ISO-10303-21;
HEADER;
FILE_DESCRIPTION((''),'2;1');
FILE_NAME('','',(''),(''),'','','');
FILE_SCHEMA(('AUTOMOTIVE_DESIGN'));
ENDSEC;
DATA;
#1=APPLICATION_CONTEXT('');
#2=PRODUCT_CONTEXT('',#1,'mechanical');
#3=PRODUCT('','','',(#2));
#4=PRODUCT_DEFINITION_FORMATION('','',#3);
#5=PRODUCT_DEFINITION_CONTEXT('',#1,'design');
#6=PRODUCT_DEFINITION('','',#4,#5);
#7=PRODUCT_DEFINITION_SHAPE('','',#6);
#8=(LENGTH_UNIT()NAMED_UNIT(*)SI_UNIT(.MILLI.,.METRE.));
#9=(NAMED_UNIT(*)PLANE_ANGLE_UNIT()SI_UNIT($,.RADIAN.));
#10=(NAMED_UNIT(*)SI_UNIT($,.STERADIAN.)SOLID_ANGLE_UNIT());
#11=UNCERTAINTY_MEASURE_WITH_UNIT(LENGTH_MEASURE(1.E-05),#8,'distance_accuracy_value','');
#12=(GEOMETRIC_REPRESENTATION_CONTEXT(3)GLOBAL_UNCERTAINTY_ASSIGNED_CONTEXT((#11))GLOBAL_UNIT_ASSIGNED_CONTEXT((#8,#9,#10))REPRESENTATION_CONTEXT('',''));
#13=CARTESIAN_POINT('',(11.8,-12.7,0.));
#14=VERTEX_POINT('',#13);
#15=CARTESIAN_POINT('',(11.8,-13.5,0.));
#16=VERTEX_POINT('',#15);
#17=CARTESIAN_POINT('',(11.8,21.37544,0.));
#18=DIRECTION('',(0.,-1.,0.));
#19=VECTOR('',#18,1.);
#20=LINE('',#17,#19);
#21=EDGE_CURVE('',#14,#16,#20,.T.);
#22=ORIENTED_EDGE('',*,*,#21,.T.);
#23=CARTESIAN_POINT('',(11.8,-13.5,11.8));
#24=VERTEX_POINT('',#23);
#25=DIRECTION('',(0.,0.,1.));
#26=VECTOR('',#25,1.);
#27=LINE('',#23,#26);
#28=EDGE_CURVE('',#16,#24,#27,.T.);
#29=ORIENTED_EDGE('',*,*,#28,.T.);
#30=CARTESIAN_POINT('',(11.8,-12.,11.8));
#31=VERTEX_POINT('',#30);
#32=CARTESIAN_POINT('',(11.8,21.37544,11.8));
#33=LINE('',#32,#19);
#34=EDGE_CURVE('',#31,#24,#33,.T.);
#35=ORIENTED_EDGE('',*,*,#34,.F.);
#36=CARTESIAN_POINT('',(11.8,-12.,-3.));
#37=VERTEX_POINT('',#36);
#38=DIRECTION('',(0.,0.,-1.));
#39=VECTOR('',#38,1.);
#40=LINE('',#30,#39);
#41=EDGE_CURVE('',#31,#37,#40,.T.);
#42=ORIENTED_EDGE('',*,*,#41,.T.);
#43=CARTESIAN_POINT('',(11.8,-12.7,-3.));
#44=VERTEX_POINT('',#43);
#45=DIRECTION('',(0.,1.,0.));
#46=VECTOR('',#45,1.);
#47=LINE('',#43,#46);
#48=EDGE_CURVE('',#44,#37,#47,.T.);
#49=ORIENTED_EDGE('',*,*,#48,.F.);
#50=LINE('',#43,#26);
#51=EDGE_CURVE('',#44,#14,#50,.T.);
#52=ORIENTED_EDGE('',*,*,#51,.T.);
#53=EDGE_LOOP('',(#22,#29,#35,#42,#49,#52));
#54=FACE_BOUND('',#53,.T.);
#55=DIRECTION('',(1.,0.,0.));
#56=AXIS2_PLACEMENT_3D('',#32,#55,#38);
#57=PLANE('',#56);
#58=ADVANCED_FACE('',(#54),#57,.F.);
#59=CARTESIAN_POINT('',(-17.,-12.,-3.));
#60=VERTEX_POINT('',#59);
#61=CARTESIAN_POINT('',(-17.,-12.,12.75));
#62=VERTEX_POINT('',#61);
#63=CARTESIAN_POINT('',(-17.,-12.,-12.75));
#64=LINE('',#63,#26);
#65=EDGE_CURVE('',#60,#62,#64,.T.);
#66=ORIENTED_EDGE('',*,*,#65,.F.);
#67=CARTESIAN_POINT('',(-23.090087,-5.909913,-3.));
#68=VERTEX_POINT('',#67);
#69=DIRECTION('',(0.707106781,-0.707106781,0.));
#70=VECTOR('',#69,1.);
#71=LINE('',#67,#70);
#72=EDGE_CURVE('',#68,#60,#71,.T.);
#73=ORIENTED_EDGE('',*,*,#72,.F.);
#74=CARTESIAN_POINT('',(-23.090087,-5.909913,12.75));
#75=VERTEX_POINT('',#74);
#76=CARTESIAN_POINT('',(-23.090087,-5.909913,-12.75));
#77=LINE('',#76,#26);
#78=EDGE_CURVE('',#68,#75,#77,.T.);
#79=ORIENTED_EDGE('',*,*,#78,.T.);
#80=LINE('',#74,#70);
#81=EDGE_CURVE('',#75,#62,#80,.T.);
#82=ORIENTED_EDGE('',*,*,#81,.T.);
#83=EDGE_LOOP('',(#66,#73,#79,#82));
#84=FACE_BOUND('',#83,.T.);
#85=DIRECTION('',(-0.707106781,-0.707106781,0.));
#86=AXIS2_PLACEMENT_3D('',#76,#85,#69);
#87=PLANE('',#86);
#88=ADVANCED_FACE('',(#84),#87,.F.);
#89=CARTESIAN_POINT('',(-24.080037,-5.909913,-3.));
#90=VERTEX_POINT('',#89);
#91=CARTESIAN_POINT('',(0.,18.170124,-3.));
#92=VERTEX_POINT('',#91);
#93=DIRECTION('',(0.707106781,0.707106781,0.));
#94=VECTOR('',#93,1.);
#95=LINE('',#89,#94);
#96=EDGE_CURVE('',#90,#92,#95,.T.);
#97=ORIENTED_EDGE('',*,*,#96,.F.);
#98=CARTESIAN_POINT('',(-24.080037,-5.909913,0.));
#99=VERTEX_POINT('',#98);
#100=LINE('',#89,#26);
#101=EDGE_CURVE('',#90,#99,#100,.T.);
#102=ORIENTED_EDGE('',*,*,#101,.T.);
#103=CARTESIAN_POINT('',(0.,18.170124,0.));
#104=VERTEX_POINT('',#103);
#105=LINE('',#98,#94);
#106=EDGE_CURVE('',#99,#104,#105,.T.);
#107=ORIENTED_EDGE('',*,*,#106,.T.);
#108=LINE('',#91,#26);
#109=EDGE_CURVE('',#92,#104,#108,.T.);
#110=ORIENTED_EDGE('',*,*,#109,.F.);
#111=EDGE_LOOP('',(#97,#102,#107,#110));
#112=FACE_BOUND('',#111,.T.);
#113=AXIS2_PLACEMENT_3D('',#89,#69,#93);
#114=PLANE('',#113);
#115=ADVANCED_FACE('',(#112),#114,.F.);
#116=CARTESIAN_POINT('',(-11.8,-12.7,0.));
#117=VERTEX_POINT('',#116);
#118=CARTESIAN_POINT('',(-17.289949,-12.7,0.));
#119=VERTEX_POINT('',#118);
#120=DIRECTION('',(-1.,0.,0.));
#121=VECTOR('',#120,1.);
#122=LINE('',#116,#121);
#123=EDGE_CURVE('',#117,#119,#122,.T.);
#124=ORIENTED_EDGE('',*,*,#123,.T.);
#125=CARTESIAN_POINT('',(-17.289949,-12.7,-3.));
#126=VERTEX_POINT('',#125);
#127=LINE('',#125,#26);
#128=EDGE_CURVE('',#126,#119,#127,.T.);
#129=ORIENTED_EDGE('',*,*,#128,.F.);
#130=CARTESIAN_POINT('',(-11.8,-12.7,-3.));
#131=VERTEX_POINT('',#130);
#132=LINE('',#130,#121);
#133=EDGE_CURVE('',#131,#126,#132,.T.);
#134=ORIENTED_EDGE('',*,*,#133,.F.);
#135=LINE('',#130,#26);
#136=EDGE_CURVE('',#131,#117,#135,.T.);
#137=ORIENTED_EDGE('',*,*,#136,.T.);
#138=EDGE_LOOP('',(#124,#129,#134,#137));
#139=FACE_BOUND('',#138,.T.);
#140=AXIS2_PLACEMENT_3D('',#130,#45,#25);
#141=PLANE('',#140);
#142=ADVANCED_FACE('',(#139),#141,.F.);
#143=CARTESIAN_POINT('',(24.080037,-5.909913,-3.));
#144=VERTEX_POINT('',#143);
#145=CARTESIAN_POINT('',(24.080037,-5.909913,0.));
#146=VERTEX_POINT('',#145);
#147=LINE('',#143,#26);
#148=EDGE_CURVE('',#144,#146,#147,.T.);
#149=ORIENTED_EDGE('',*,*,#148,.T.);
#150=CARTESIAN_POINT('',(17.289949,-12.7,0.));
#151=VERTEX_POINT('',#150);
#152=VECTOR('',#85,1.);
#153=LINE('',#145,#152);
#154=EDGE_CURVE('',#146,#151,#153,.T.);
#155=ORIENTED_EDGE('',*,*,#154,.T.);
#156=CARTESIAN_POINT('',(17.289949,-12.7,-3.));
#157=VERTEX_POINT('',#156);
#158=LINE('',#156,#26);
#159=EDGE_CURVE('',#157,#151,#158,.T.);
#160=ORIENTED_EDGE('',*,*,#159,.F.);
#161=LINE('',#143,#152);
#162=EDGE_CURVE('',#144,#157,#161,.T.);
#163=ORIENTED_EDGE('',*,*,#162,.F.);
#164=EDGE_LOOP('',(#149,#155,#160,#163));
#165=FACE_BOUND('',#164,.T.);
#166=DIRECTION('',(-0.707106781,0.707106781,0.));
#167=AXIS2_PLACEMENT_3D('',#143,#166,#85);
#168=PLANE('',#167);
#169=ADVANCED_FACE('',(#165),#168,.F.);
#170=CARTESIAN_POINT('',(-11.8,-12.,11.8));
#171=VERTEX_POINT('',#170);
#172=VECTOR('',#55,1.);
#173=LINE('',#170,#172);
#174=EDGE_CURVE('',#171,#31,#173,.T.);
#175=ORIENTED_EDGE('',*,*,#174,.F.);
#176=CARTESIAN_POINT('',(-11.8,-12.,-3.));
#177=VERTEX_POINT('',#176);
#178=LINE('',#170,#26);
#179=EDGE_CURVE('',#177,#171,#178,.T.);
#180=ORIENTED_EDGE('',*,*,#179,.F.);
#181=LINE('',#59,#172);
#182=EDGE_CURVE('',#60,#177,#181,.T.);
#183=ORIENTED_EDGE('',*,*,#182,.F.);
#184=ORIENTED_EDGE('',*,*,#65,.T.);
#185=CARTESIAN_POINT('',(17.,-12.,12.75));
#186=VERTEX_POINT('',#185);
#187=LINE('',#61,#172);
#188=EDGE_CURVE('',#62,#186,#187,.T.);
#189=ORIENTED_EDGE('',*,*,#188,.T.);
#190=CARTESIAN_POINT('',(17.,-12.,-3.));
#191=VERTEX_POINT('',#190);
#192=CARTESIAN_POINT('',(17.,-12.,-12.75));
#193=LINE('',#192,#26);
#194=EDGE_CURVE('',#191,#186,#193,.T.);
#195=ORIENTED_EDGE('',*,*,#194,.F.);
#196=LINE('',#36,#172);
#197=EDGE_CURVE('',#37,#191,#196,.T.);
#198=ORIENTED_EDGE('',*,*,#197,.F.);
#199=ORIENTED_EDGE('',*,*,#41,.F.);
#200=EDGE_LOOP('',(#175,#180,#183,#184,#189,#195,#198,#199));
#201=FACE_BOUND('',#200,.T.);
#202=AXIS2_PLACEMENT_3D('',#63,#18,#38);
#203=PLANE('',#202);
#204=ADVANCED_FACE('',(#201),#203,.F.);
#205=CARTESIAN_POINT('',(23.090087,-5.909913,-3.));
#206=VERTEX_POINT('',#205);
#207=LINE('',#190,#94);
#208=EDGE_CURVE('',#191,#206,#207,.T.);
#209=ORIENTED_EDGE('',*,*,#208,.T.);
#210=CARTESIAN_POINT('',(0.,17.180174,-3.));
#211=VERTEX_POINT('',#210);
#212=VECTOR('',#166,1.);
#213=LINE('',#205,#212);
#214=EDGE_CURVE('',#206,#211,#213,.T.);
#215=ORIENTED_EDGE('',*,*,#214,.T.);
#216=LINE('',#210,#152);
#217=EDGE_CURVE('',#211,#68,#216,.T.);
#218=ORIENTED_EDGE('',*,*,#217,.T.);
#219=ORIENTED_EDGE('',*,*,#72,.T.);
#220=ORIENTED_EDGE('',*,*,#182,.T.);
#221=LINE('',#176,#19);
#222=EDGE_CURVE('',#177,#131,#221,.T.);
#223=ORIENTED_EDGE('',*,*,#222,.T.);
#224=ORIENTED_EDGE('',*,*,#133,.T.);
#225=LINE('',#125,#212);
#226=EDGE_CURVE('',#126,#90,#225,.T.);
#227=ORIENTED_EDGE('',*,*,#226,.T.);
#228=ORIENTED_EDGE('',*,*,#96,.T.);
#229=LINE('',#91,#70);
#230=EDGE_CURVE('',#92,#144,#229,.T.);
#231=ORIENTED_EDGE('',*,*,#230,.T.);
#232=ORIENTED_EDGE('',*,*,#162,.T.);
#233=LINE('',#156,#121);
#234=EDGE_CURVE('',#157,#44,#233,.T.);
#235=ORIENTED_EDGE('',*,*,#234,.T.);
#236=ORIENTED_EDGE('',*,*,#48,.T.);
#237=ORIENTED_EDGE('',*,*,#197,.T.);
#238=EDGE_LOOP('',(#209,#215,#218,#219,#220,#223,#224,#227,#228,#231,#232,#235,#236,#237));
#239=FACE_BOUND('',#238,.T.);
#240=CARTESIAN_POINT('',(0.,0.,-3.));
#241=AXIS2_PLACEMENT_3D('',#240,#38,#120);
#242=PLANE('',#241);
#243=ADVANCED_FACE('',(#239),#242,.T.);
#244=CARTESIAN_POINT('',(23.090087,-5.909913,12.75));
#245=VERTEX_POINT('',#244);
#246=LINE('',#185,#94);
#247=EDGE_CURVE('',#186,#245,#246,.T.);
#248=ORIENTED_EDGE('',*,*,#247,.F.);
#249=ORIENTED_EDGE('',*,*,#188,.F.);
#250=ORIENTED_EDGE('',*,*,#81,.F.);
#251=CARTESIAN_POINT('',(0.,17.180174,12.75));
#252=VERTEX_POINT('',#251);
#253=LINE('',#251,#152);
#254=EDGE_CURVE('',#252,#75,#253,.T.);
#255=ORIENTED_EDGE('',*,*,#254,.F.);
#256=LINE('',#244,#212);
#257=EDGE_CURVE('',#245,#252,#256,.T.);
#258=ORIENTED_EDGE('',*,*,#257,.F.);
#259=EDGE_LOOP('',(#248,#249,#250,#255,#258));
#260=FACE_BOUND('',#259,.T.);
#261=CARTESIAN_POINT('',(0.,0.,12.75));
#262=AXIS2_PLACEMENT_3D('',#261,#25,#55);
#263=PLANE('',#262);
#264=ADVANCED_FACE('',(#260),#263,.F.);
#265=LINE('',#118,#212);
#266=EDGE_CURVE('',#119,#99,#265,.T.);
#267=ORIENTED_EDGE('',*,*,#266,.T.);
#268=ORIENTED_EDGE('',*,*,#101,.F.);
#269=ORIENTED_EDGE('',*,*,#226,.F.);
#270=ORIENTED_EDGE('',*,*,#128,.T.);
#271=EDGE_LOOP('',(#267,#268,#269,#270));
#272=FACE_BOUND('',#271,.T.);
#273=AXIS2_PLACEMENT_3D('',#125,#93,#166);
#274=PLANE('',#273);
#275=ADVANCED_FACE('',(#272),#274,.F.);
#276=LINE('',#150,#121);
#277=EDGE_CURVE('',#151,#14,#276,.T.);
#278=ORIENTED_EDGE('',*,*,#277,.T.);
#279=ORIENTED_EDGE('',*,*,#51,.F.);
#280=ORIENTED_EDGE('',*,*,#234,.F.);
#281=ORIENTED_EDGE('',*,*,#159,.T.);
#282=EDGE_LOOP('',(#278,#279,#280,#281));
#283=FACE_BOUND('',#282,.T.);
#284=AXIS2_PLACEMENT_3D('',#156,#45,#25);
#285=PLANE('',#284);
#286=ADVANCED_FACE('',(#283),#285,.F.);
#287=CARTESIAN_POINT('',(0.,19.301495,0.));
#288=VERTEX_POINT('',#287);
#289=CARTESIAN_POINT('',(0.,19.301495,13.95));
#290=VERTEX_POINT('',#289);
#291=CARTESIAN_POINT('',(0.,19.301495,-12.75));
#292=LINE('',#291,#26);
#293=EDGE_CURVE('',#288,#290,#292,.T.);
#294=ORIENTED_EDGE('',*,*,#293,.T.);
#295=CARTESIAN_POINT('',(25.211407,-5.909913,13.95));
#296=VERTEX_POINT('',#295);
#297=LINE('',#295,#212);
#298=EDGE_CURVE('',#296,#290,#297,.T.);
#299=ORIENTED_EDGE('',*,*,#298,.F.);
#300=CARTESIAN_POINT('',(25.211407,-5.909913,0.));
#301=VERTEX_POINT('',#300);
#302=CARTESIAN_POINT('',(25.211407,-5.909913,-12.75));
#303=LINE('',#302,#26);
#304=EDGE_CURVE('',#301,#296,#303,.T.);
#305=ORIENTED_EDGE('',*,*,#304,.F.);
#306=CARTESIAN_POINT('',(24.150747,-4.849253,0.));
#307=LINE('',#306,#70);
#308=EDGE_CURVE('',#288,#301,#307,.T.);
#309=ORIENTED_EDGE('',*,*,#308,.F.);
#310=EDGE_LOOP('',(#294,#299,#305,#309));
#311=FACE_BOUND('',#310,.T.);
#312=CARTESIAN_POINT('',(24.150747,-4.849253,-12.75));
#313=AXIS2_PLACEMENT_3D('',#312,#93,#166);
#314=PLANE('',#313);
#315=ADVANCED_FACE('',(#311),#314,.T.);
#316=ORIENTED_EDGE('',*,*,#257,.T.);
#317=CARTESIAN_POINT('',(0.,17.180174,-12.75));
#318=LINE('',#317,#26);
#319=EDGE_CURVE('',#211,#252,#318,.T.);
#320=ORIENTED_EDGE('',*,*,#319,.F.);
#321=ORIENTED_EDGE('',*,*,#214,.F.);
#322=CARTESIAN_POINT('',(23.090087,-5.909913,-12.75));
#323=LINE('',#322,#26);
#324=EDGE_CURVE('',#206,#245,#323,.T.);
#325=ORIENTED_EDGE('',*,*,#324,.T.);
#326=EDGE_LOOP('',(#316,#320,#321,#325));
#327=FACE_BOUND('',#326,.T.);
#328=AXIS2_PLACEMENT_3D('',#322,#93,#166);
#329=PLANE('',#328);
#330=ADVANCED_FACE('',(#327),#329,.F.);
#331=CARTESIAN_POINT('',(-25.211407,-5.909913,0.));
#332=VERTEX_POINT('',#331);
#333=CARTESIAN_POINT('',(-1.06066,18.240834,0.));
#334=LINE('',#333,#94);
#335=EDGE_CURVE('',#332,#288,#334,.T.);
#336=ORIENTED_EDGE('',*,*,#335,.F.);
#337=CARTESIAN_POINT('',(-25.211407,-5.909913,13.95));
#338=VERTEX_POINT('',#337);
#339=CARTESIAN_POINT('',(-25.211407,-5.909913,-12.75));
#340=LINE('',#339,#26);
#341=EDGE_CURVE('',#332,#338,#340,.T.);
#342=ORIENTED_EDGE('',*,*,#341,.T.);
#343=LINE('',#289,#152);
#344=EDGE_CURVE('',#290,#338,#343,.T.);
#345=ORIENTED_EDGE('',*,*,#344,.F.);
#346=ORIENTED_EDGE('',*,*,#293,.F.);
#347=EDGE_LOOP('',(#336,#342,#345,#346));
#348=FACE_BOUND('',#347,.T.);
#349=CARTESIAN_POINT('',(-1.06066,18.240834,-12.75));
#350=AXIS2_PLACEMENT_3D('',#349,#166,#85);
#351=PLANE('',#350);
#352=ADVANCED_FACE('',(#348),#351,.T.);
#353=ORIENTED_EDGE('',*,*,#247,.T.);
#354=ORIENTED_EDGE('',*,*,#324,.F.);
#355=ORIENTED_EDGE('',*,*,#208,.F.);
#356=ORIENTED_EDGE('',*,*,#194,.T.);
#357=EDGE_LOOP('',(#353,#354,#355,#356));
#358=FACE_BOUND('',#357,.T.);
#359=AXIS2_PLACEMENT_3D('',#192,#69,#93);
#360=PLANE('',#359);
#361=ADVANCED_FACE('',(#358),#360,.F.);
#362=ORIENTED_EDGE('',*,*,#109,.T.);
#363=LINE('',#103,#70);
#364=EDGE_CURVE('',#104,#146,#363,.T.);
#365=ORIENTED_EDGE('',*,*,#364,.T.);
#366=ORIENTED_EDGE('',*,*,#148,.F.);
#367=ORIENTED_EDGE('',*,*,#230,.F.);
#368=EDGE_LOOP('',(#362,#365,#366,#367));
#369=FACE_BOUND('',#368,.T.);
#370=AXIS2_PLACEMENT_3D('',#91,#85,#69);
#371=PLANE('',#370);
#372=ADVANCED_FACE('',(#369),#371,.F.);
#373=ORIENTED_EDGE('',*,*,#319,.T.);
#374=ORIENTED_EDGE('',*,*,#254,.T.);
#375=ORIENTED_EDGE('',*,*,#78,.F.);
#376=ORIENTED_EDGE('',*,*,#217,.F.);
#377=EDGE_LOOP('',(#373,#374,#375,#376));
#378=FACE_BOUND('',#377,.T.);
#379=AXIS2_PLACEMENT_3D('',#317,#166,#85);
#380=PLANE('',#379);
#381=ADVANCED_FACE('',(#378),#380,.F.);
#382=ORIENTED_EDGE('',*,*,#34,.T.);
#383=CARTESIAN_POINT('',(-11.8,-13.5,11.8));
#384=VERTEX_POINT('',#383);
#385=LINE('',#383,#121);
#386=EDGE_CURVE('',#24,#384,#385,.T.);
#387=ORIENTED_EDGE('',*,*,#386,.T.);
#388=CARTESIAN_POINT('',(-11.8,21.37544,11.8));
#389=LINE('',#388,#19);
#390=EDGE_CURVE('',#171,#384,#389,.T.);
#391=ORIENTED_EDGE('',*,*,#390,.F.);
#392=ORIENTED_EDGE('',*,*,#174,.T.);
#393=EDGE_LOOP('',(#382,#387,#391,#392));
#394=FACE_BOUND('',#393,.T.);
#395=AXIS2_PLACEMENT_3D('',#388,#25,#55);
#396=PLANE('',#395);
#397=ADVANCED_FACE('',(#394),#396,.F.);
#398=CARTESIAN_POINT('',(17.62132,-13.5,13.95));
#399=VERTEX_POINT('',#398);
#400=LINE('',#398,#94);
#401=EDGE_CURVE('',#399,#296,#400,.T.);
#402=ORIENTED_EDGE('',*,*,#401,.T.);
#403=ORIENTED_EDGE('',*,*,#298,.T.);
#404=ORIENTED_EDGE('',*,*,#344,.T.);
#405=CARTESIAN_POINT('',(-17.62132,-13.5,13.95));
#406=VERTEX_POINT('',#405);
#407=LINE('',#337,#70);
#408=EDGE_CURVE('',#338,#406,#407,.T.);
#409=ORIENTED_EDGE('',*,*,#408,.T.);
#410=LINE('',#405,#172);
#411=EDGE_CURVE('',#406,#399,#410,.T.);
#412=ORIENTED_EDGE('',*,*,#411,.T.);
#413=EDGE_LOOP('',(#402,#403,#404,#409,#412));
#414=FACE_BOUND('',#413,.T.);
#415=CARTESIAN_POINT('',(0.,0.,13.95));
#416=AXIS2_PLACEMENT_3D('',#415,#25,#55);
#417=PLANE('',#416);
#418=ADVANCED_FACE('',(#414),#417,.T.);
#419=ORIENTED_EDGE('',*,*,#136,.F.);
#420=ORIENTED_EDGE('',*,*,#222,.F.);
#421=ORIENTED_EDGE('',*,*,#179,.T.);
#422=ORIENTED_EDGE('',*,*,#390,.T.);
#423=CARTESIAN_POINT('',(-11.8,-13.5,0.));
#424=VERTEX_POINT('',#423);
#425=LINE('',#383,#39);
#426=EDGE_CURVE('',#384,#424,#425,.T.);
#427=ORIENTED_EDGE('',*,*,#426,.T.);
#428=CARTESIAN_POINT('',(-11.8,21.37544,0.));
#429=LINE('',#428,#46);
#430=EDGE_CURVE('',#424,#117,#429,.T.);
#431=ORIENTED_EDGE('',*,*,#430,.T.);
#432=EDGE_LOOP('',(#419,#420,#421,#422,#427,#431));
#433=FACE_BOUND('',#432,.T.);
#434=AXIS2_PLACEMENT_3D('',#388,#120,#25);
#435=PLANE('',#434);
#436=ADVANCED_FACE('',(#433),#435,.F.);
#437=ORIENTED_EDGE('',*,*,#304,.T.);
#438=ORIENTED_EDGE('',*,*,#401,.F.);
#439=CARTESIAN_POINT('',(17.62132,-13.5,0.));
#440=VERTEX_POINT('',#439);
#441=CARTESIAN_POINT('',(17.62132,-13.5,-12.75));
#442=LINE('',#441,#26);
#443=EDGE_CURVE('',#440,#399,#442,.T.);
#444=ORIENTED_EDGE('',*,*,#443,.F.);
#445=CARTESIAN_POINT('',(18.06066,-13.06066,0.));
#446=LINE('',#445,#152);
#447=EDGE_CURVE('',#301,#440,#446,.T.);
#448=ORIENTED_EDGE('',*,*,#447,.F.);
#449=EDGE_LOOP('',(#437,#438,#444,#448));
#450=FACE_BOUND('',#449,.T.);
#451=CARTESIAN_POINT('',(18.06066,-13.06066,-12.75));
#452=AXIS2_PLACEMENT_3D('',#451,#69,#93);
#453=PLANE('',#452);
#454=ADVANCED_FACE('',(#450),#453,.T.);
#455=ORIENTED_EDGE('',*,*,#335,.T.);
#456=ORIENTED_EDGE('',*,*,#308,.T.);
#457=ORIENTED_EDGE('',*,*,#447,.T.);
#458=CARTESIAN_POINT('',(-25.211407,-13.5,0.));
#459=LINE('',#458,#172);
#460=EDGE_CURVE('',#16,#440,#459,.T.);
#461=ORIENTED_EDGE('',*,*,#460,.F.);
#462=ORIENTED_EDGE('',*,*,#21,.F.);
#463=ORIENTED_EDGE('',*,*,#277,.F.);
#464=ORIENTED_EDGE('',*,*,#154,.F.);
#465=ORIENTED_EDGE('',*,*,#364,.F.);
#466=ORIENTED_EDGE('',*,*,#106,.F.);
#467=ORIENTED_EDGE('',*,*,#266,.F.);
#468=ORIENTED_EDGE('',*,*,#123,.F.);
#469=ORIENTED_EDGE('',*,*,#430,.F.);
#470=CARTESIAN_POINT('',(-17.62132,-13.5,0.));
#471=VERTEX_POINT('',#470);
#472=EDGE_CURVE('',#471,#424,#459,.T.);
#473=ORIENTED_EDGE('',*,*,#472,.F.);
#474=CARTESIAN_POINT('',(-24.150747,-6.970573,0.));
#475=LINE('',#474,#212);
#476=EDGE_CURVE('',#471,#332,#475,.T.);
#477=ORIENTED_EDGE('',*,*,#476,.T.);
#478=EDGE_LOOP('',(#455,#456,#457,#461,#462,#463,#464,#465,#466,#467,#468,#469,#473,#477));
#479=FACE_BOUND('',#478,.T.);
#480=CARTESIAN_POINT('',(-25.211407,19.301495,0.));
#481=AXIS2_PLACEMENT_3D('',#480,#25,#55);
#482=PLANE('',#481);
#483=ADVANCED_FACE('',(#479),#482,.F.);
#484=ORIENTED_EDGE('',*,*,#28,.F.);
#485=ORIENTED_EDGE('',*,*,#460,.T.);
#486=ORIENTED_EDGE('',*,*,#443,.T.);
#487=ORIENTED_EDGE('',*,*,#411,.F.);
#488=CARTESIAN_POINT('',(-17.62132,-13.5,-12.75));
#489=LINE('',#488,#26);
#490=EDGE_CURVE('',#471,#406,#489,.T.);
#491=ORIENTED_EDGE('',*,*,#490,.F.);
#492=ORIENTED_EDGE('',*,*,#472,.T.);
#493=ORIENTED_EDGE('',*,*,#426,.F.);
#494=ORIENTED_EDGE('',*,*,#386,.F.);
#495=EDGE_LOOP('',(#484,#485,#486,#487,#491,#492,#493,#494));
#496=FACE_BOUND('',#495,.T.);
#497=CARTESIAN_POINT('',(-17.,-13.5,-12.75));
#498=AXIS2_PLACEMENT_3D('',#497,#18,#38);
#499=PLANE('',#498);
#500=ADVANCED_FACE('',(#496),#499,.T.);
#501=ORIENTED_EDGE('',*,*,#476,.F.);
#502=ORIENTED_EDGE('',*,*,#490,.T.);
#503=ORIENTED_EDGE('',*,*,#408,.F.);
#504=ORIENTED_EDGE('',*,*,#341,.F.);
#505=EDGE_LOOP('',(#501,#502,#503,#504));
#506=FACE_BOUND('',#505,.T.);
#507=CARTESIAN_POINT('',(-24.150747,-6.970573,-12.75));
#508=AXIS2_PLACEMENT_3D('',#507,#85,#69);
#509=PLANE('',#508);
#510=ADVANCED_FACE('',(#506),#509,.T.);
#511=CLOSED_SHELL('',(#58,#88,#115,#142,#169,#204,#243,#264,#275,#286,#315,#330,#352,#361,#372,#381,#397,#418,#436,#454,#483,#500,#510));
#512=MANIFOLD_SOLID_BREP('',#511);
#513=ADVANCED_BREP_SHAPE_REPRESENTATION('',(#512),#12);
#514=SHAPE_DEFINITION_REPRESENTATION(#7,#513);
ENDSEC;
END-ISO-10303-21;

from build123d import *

# Parameters (mm, degrees)
EXTRUDE_1_DEPTH          = 12.75
EXTRUDE_1_DEPTH_BACK     = 12.75
EXTRUDE_1_2_DEPTH        = 1.2
EXTRUDE_2_DEPTH          = 1.2
SKETCH_4_W               = 23.6
SKETCH_4_H               = 23.6
CUT_EXTRUDE_1_DEPTH      = 1.5
CUT_EXTRUDE_2_DEPTH      = 35.680906203
CUT_EXTRUDE_2_DEPTH_BACK = 35.680906203
SKETCH_5_W               = 13.95
SKETCH_5_H               = 32.801494515
EXTRUDE_3_DEPTH          = 3


with BuildPart() as part:
    # Эскиз1 → Extrude 1 (new, two sides: drawn at the far end of the back side and taken through both)
    with BuildSketch(Plane.XY.offset(-EXTRUDE_1_DEPTH_BACK)):
        Polygon((-17.621320344, -13.5), (17.621320344, -13.5), (25.211407429, -5.909912914), (0, 19.301494515), (-25.211407429, -5.909912914), align=None)
        Polygon((-17, -12), (17, -12), (23.090087086, -5.909912914), (0, 17.180174171), (-23.090087086, -5.909912914), align=None, mode=Mode.SUBTRACT)
    extrude(amount=EXTRUDE_1_DEPTH + EXTRUDE_1_DEPTH_BACK)

    # Эскиз2 → Extrude 1 2 (add)
    with BuildSketch(Plane.XY.offset(12.75)):
        Polygon((25.211407429, -5.909912914), (0, 19.301494515), (-25.211407429, -5.909912914), (-17.621320344, -13.5), (17.621320344, -13.5), align=None)
    extrude(amount=EXTRUDE_1_2_DEPTH)

    # Эскиз3 → Бобышка-Вытянуть2 (add)
    with BuildSketch(Plane(origin=(0, 0, -12.75), x_dir=(-1, 0, 0), z_dir=(0, 0, -1))):
        Polygon((0, 19.301494515), (25.211407429, -5.909912914), (17.621320344, -13.5), (-17.621320344, -13.5), (-25.211407429, -5.909912914), align=None)
    extrude(amount=EXTRUDE_2_DEPTH)

    # Эскиз4 → Вырез-Вытянуть1 (cut)
    with BuildSketch(Plane.XZ.offset(13.5)):
        Rectangle(SKETCH_4_W, SKETCH_4_H)
    extrude(amount=-CUT_EXTRUDE_1_DEPTH, mode=Mode.SUBTRACT)

    # Эскиз5 → Вырез-Вытянуть2 (cut, two sides: drawn at the far end of the back side and taken through both)
    with BuildSketch(Plane(origin=(0, 0, 0), x_dir=(0, 0, -1), z_dir=(1, 0, 0)).offset(-CUT_EXTRUDE_2_DEPTH_BACK)):
        with Locations((6.975, 2.900747258)):
            Rectangle(SKETCH_5_W, SKETCH_5_H)
    extrude(amount=CUT_EXTRUDE_2_DEPTH + CUT_EXTRUDE_2_DEPTH_BACK, mode=Mode.SUBTRACT)

    # Эскиз7 → Бобышка-Вытянуть3 (add)
    with BuildSketch(Plane(origin=(0, 0, 0), x_dir=(-1, 0, 0), z_dir=(0, 0, -1))):
        Polygon((-17.289949494, -12.7), (-11.8, -12.7), (-11.8, -12), (-17, -12), (-23.090087086, -5.909912914), (0, 17.180174171), (23.090087086, -5.909912914), (17, -12), (11.8, -12), (11.8, -12.7), (17.289949494, -12.7), (24.080036579, -5.909912914), (0, 18.170123665), (-24.080036579, -5.909912914), align=None)
    extrude(amount=EXTRUDE_3_DEPTH)


solid = part.part
